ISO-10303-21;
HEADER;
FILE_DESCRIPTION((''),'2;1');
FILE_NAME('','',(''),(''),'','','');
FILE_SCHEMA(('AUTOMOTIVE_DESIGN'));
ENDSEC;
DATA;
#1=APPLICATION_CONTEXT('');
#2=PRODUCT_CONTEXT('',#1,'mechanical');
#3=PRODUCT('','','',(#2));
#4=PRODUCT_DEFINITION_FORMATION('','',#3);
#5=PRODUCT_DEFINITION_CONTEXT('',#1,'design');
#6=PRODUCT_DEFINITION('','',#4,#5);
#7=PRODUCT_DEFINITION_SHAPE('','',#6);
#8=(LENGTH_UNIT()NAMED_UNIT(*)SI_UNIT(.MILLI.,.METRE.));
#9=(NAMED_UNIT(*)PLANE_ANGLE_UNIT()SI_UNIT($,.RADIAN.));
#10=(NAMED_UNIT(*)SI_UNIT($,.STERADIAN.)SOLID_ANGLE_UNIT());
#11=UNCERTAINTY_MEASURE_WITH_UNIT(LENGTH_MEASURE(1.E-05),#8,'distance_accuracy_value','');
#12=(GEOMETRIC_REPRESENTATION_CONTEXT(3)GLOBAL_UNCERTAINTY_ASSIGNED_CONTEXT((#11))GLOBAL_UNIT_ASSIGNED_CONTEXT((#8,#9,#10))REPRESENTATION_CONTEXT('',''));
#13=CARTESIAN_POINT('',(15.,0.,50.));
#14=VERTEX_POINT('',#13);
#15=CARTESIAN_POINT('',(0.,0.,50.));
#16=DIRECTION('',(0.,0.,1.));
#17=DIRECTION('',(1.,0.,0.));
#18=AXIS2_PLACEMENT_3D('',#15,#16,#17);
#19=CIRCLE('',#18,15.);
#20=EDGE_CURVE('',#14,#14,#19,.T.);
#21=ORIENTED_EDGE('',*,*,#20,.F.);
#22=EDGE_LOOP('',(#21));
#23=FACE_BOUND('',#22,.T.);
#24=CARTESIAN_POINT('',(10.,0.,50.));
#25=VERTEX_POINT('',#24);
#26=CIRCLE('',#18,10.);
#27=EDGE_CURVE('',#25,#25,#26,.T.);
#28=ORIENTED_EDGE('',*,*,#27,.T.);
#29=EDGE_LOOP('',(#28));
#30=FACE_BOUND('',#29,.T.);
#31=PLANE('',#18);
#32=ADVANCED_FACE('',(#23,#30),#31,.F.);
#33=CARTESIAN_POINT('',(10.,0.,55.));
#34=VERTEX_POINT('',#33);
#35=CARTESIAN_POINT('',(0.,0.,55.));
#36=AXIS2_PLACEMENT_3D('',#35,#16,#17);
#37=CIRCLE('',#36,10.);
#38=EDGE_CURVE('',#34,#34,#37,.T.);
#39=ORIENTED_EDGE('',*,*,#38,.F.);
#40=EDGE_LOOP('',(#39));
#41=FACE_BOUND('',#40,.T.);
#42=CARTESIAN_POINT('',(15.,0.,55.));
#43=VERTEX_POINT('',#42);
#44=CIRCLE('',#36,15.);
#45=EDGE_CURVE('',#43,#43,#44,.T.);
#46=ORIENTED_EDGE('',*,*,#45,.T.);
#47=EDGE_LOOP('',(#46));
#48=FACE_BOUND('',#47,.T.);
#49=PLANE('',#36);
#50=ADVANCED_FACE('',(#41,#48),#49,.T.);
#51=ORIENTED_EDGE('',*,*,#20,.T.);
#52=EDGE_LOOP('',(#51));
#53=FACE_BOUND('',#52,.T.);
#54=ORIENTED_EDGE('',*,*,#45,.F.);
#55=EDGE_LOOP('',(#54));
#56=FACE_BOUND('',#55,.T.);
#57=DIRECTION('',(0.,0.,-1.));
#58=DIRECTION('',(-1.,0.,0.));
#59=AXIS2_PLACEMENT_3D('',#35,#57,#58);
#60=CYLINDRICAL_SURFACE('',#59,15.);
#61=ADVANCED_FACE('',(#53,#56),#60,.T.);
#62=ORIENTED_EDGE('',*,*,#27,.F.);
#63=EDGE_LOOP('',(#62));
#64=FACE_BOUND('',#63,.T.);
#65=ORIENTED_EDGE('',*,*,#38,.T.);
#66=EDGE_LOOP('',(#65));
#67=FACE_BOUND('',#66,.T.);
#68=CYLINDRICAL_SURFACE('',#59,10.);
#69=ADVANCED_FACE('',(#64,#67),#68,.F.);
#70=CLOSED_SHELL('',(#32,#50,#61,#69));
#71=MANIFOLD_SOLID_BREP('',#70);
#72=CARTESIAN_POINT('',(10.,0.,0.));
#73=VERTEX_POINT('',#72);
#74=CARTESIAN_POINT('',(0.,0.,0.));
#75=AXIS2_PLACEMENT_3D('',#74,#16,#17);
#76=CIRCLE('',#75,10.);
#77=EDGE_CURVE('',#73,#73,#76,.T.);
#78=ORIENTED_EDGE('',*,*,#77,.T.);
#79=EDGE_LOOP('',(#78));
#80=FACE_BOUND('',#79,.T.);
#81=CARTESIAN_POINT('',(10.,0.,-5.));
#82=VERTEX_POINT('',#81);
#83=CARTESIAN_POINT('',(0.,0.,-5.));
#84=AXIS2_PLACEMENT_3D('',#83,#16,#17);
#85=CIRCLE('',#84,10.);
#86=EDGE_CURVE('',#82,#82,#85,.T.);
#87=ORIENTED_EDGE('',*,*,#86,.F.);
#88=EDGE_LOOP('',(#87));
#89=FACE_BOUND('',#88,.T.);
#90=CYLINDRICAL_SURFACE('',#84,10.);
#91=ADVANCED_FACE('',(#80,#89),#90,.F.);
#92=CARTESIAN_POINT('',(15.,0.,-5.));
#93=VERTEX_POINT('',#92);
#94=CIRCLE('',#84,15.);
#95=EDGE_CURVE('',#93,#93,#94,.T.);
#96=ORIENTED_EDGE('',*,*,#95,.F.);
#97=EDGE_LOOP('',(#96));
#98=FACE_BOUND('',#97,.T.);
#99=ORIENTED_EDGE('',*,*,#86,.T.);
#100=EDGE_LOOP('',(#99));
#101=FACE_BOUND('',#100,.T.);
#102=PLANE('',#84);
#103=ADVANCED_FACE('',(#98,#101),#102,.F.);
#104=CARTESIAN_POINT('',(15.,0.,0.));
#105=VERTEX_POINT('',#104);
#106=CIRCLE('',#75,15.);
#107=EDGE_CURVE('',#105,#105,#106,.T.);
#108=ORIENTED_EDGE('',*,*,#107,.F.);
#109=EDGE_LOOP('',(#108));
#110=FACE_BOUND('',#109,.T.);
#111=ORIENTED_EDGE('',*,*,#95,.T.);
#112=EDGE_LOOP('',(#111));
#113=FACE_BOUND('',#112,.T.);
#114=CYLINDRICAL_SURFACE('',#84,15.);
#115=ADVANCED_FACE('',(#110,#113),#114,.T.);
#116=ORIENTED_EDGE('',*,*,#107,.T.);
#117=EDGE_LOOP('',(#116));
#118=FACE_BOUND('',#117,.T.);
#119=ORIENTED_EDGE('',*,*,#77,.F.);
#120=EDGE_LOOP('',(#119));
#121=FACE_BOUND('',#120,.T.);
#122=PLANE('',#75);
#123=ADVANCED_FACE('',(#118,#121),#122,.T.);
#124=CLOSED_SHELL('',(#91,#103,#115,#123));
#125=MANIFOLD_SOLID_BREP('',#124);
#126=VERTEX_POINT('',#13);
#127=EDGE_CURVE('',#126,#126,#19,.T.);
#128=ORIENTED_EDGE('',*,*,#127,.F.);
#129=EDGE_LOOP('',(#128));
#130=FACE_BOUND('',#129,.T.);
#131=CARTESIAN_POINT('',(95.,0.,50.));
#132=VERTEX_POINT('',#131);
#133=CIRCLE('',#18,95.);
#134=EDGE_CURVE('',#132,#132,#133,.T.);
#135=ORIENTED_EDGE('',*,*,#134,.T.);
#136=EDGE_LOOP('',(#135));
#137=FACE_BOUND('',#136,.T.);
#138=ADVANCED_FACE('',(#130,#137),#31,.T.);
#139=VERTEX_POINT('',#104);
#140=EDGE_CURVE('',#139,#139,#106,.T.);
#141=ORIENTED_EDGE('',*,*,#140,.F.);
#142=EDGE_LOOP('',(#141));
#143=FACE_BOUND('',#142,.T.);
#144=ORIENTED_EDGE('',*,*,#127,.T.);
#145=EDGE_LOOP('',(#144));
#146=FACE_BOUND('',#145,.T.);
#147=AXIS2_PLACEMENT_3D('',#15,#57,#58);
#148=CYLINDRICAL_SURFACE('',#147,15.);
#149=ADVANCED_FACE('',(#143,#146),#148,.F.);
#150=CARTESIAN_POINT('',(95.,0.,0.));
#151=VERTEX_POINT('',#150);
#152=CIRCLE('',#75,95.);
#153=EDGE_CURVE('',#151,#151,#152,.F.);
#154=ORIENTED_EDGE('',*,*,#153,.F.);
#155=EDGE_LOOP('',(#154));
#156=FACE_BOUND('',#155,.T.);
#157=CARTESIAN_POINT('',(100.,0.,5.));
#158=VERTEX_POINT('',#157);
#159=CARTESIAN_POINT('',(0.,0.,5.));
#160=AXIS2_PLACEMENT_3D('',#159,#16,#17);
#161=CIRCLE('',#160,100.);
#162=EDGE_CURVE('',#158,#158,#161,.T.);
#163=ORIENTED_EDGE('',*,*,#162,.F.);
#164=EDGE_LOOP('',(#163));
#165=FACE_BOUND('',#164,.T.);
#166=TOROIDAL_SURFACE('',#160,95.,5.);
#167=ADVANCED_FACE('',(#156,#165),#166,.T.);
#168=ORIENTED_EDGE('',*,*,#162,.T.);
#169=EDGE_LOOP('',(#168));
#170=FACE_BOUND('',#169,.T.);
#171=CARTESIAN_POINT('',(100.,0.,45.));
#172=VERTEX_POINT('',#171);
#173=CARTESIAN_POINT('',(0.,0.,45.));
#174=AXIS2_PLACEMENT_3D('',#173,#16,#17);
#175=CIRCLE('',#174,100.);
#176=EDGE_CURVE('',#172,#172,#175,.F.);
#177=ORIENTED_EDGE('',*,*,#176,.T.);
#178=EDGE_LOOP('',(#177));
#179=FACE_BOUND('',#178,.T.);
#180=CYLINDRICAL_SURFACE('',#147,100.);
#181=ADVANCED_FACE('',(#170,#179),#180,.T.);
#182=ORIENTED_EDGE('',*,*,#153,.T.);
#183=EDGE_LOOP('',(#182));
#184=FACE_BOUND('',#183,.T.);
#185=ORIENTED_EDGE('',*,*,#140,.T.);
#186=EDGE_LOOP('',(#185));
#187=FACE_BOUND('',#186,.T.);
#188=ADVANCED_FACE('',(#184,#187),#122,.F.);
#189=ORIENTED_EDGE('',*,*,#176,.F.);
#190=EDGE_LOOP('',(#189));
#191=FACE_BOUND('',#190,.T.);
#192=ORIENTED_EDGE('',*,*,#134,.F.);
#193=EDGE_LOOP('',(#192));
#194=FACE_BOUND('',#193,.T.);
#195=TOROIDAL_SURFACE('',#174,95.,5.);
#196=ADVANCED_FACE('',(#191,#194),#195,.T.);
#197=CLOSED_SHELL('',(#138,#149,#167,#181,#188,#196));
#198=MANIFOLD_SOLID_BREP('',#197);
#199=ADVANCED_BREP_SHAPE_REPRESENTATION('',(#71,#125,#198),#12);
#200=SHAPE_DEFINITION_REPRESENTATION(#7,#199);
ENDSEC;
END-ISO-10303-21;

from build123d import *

# Parameters (mm, degrees)
SKETCH1_R           = 100
SKETCH1_R_2         = 15
BOSS_EXTRUDE1_DEPTH = 50
FILLET1_R           = 5
SKETCH1_5_R         = 15
SKETCH1_5_R_2       = 10
BOSS_EXTRUDE2_DEPTH = 5
BOSS_EXTRUDE3_START = 50
SKETCH1_6_R         = 15
SKETCH1_6_R_2       = 10
BOSS_EXTRUDE3_DEPTH = 5


with BuildPart() as part:
    # Sketch1 → Boss-Extrude1 (new body)
    with BuildSketch(Plane.XY):
        Circle(SKETCH1_R)
        Circle(SKETCH1_R_2, mode=Mode.SUBTRACT)
    extrude(amount=BOSS_EXTRUDE1_DEPTH)

    # Fillet1
    fillet1_edges = [part.edges().sort_by_distance(p)[0] for p in [
        (-100, 0, 50),
        (-100, 0, 0),
    ]]
    fillet(fillet1_edges, radius=FILLET1_R)


with BuildPart() as body_2:
    # Sketch1<5> → Boss-Extrude2 (new body)
    with BuildSketch(Plane.XY):
        Circle(SKETCH1_5_R)
        Circle(SKETCH1_5_R_2, mode=Mode.SUBTRACT)
    extrude(amount=-BOSS_EXTRUDE2_DEPTH)


with BuildPart() as body_3:
    # Sketch1<6> → Boss-Extrude3 (new body)
    with BuildSketch(Plane.XY.offset(BOSS_EXTRUDE3_START)):
        Circle(SKETCH1_6_R)
        Circle(SKETCH1_6_R_2, mode=Mode.SUBTRACT)
    extrude(amount=BOSS_EXTRUDE3_DEPTH)


solid = Compound([part.part, body_2.part, body_3.part])
